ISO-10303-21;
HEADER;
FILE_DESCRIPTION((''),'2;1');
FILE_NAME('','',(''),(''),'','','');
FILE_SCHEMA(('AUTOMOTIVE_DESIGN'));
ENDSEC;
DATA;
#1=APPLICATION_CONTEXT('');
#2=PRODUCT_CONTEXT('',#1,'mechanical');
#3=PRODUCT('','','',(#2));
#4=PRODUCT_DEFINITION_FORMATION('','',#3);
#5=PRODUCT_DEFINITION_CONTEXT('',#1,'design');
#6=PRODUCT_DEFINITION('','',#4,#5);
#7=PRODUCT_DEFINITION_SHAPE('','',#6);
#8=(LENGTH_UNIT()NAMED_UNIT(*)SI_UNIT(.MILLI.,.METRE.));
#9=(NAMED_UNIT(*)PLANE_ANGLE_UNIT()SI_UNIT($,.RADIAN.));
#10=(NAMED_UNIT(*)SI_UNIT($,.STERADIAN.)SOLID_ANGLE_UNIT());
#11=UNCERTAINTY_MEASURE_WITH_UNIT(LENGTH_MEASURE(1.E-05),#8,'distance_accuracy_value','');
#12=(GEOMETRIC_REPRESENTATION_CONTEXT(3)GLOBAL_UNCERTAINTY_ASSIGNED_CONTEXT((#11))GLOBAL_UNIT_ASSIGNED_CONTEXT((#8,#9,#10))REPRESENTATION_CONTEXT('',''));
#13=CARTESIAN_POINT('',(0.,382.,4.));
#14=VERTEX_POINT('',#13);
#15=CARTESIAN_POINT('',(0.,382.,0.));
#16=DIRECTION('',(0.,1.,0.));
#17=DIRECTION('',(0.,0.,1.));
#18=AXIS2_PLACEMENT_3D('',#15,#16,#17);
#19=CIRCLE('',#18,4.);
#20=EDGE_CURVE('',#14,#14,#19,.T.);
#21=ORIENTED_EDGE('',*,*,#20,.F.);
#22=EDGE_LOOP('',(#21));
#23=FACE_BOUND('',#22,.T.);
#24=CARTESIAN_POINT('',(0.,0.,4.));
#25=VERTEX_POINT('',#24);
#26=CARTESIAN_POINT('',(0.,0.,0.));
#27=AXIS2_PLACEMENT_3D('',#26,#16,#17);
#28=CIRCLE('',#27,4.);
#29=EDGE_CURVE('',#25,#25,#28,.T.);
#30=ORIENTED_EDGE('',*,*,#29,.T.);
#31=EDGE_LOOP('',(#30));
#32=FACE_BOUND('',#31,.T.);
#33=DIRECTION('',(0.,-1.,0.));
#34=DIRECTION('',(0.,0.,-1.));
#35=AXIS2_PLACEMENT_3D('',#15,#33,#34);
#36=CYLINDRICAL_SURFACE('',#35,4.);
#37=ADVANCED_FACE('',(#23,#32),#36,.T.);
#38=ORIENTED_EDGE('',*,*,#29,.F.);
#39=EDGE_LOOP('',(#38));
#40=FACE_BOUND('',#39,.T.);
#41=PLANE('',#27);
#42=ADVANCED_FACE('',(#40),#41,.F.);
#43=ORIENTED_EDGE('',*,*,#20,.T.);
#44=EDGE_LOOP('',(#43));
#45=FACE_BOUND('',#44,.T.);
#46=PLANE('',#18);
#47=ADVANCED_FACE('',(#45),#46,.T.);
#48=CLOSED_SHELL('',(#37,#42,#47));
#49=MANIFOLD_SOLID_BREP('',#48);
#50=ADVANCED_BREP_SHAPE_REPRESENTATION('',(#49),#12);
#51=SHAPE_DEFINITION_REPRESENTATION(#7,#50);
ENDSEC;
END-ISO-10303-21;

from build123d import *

# Parameters (mm, degrees)
SKETCH1_R           = 4
BOSS_EXTRUDE1_DEPTH = 382


with BuildPart() as part:
    # Sketch1 → Boss-Extrude1 (new body)
    with BuildSketch(Plane(origin=(0, 0, 0), x_dir=(1, 0, 0), z_dir=(0, 1, 0))):
        Circle(SKETCH1_R)
    extrude(amount=BOSS_EXTRUDE1_DEPTH)


solid = part.part
